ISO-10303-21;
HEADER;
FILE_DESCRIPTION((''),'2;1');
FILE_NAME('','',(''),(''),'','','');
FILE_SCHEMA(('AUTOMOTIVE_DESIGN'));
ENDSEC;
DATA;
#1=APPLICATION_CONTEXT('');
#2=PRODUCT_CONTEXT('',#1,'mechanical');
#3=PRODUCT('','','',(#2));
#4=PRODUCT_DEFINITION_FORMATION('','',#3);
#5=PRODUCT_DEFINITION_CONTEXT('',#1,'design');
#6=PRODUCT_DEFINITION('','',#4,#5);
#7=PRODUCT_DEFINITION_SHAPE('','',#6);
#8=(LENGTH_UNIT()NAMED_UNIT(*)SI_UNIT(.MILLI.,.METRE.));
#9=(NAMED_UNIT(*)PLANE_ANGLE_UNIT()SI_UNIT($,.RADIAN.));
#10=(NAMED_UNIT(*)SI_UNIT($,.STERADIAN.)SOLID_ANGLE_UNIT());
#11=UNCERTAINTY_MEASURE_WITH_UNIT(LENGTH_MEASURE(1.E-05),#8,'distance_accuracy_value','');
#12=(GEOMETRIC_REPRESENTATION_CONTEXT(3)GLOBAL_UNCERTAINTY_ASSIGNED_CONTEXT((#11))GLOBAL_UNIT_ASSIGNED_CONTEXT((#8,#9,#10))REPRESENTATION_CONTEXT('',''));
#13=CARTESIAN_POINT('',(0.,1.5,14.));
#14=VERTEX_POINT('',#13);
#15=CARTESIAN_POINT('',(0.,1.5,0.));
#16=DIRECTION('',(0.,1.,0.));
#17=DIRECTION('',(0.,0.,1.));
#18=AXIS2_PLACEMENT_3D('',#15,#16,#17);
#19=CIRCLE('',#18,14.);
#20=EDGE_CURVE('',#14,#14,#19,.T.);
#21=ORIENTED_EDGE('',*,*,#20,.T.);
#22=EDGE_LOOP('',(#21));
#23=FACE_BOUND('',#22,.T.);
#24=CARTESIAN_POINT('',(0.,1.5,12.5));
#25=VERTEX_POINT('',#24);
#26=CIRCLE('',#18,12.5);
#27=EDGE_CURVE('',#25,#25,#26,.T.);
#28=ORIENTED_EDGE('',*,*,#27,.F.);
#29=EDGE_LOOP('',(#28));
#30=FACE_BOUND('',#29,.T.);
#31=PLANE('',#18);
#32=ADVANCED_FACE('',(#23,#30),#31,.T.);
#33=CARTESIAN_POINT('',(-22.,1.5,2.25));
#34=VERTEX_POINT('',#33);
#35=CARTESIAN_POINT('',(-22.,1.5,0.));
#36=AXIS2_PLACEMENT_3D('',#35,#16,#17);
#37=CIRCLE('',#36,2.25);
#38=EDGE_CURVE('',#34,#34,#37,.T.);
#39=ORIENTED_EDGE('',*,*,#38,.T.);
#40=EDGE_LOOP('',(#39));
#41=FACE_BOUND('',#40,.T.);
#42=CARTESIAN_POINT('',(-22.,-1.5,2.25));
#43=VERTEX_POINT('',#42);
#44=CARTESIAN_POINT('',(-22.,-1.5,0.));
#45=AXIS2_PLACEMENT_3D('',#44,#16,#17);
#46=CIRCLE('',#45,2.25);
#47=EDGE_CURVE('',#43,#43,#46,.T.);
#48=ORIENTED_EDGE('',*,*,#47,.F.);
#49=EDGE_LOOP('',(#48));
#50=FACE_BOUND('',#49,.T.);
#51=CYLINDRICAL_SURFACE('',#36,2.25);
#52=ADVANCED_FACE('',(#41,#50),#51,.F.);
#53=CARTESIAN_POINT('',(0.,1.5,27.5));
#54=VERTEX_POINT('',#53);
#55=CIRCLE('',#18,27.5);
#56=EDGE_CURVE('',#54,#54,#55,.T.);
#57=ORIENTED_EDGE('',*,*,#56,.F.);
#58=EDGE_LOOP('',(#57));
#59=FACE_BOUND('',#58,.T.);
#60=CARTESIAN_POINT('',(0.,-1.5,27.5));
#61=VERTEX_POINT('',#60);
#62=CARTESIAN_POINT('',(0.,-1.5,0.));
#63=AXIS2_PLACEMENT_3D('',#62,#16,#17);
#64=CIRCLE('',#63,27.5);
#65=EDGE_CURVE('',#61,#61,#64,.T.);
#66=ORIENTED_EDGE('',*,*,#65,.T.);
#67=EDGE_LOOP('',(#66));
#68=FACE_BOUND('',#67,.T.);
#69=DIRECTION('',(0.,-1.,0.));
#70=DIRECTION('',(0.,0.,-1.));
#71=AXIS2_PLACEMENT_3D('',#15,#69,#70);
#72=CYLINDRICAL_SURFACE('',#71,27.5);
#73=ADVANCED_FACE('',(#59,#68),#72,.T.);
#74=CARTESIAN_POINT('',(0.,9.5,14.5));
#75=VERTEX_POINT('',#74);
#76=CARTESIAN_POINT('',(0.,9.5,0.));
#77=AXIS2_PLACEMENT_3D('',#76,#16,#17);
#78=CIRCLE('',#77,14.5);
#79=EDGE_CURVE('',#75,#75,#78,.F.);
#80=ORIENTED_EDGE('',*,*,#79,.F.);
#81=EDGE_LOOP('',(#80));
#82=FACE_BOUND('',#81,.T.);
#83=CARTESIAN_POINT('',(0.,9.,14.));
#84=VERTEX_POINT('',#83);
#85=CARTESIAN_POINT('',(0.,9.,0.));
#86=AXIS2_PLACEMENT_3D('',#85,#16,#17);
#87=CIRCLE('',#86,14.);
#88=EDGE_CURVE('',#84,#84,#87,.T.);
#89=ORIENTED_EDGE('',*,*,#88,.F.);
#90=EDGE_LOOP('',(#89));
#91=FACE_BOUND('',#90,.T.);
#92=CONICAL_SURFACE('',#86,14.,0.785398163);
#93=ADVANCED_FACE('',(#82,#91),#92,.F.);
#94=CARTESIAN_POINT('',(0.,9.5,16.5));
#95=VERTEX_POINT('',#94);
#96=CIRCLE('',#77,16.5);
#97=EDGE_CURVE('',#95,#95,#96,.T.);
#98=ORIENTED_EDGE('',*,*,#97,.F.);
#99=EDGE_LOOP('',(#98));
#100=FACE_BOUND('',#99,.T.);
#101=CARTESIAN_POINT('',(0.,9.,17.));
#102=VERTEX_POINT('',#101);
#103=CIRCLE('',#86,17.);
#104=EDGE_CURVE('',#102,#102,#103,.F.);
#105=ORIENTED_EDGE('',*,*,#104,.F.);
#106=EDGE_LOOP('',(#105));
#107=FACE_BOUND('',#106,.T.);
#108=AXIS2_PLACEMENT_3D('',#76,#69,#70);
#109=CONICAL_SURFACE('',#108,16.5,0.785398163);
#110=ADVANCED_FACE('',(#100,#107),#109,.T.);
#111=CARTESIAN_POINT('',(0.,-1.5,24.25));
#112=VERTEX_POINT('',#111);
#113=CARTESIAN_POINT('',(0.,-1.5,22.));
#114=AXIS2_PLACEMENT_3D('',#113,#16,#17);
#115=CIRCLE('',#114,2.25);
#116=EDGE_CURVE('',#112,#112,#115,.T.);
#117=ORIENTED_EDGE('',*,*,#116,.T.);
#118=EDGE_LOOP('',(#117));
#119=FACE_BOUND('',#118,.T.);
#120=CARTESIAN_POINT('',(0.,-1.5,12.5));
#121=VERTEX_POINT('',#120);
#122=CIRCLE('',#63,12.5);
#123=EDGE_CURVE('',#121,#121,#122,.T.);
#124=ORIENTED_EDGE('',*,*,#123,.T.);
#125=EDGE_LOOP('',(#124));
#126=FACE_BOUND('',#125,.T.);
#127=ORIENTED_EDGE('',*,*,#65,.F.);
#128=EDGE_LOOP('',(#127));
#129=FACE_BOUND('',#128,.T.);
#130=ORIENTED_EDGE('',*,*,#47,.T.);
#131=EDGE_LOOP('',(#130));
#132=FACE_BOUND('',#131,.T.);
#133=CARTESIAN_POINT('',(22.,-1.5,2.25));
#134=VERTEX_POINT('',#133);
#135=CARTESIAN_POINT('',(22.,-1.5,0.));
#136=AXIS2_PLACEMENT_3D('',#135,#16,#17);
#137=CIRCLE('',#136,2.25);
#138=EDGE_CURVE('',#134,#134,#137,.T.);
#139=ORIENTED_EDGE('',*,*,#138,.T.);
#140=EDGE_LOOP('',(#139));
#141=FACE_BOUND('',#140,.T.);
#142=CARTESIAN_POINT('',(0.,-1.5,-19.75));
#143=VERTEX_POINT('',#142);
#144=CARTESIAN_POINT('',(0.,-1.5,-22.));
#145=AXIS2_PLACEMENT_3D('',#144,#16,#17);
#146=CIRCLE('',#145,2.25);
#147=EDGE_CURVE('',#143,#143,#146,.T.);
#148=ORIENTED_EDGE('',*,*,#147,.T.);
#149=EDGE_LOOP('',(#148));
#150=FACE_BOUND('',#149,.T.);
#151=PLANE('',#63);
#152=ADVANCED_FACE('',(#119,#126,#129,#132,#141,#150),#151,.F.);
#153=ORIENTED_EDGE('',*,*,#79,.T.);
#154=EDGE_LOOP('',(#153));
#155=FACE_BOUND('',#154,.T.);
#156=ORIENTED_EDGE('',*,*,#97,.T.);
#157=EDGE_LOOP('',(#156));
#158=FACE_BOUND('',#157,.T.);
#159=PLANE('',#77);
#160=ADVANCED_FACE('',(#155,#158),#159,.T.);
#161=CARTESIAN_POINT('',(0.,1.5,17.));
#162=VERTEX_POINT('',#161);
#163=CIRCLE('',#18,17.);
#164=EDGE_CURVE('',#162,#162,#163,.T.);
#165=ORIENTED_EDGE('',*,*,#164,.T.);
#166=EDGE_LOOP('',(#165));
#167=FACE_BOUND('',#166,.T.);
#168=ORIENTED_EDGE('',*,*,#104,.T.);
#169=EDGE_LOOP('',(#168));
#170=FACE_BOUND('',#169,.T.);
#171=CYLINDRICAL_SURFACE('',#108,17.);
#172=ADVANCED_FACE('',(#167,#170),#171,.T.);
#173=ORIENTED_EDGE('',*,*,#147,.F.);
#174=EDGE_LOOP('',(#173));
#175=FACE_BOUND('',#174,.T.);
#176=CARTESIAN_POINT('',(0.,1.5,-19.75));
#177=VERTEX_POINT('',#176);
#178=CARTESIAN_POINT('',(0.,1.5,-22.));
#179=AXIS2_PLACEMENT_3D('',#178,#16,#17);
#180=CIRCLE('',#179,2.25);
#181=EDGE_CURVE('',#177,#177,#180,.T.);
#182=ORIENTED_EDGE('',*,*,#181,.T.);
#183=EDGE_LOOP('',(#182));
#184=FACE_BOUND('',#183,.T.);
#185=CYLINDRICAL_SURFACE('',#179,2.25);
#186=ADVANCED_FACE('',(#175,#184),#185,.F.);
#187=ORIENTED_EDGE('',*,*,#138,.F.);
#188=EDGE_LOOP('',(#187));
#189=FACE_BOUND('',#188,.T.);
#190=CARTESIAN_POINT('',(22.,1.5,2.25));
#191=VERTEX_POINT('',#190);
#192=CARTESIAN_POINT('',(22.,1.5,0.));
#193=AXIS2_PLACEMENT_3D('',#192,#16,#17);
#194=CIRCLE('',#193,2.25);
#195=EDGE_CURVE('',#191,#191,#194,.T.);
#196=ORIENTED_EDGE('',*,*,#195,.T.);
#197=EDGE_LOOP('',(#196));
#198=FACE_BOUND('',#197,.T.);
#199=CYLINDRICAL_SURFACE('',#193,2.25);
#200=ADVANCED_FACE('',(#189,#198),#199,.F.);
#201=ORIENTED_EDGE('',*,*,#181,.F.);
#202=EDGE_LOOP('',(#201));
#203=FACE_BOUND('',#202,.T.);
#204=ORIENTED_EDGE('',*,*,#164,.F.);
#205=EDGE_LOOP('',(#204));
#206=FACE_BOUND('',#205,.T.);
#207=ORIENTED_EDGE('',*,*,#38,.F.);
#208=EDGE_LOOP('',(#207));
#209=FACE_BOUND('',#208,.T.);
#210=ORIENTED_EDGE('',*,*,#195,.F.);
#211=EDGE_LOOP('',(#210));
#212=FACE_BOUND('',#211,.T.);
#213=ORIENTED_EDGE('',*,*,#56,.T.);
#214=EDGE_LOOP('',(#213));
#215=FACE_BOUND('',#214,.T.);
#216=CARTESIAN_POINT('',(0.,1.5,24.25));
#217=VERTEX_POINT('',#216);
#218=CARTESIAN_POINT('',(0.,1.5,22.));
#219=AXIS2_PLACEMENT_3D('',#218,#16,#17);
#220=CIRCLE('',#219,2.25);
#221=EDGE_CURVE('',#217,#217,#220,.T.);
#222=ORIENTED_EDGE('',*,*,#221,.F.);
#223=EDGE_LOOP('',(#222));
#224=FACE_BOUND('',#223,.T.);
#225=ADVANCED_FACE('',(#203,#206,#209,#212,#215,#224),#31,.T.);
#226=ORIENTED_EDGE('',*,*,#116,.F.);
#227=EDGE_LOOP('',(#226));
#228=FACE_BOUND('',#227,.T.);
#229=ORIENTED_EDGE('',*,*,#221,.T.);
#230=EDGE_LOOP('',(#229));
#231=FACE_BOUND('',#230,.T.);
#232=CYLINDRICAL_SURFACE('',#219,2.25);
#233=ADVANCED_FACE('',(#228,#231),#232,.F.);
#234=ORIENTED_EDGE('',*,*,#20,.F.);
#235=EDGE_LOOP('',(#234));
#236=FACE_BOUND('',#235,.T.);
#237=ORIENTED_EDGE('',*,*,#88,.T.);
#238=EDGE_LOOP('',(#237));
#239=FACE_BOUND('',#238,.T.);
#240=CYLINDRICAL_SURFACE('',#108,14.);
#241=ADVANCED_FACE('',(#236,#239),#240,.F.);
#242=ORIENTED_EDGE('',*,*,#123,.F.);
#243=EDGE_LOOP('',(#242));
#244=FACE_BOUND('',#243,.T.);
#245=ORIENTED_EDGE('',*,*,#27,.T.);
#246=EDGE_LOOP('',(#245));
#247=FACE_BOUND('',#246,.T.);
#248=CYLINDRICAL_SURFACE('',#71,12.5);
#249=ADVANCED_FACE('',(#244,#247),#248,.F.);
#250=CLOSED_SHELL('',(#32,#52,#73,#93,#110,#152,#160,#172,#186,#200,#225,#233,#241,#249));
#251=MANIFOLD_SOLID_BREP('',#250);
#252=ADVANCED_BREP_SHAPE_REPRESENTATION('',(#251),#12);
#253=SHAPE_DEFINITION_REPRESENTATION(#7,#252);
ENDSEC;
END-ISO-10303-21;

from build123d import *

# Parameters (mm, degrees)
SKETCH1_R                = 27.5
SKETCH1_R_2              = 12.5
SKETCH1_R_3              = 1
BOSS_EXTRUDE1_DEPTH      = 1.5
SKETCH2_R                = 17
SKETCH2_R_2              = 14
BOSS_EXTRUDE2_DEPTH      = 8
CHAMFER1_SIZE            = 0.5
M4_CLEARANCE_HOLE1_D     = 4.5
M4_CLEARANCE_HOLE1_DEPTH = 11.5
M4_CLEARANCE_HOLE1_TIP   = 1.351936393


with BuildPart() as part:
    # Sketch1 → Boss-Extrude1 (new, symmetric)
    with BuildSketch(Plane(origin=(0, 0, 0), x_dir=(1, 0, 0), z_dir=(0, 1, 0))):
        with Locations(Location((0, 0, 0), (0, 0, 270))):
            Circle(SKETCH1_R)
        with Locations(Location((0, 0, 0), (0, 0, 270))):
            Circle(SKETCH1_R_2, mode=Mode.SUBTRACT)
        with Locations(Location((0, 22, 0), (0, 0, 270))):
            Circle(SKETCH1_R_3, mode=Mode.SUBTRACT)
        with Locations(Location((22, 0, 0), (0, 0, 270))):
            Circle(SKETCH1_R_3, mode=Mode.SUBTRACT)
        with Locations(Location((0, -22, 0), (0, 0, 270))):
            Circle(SKETCH1_R_3, mode=Mode.SUBTRACT)
        with Locations(Location((-22, 0, 0), (0, 0, 270))):
            Circle(SKETCH1_R_3, mode=Mode.SUBTRACT)
    extrude(amount=BOSS_EXTRUDE1_DEPTH, both=True)

    # Sketch2 → Boss-Extrude2 (add)
    with BuildSketch(Plane(origin=(0, 1.5, 0), x_dir=(1, 0, 0), z_dir=(0, 1, 0))):
        with Locations(Location((0, 0, 0), (0, 0, 270))):
            Circle(SKETCH2_R)
        with Locations(Location((0, 0, 0), (0, 0, 270))):
            Circle(SKETCH2_R_2, mode=Mode.SUBTRACT)
    extrude(amount=BOSS_EXTRUDE2_DEPTH)

    # Chamfer1
    chamfer1_edges = [part.edges().sort_by_distance(p)[0] for p in [
        (0, 9.5, -17),
        (0, 9.5, -14),
    ]]
    chamfer(chamfer1_edges, length=CHAMFER1_SIZE)

    # M4 Clearance Hole1
    with Locations(Plane(origin=(0, 1.5, 0), x_dir=(1, 0, 0), z_dir=(0, 1, 0))):
        with Locations((0, 22), (22, 0), (-22, 0), (0, -22)):
            Hole(M4_CLEARANCE_HOLE1_D / 2, depth=M4_CLEARANCE_HOLE1_DEPTH)
            with Locations((0, 0, -(M4_CLEARANCE_HOLE1_DEPTH + M4_CLEARANCE_HOLE1_TIP / 2))):  # 118° drill point
                Cone(0, M4_CLEARANCE_HOLE1_D / 2, M4_CLEARANCE_HOLE1_TIP, mode=Mode.SUBTRACT)


solid = part.part
